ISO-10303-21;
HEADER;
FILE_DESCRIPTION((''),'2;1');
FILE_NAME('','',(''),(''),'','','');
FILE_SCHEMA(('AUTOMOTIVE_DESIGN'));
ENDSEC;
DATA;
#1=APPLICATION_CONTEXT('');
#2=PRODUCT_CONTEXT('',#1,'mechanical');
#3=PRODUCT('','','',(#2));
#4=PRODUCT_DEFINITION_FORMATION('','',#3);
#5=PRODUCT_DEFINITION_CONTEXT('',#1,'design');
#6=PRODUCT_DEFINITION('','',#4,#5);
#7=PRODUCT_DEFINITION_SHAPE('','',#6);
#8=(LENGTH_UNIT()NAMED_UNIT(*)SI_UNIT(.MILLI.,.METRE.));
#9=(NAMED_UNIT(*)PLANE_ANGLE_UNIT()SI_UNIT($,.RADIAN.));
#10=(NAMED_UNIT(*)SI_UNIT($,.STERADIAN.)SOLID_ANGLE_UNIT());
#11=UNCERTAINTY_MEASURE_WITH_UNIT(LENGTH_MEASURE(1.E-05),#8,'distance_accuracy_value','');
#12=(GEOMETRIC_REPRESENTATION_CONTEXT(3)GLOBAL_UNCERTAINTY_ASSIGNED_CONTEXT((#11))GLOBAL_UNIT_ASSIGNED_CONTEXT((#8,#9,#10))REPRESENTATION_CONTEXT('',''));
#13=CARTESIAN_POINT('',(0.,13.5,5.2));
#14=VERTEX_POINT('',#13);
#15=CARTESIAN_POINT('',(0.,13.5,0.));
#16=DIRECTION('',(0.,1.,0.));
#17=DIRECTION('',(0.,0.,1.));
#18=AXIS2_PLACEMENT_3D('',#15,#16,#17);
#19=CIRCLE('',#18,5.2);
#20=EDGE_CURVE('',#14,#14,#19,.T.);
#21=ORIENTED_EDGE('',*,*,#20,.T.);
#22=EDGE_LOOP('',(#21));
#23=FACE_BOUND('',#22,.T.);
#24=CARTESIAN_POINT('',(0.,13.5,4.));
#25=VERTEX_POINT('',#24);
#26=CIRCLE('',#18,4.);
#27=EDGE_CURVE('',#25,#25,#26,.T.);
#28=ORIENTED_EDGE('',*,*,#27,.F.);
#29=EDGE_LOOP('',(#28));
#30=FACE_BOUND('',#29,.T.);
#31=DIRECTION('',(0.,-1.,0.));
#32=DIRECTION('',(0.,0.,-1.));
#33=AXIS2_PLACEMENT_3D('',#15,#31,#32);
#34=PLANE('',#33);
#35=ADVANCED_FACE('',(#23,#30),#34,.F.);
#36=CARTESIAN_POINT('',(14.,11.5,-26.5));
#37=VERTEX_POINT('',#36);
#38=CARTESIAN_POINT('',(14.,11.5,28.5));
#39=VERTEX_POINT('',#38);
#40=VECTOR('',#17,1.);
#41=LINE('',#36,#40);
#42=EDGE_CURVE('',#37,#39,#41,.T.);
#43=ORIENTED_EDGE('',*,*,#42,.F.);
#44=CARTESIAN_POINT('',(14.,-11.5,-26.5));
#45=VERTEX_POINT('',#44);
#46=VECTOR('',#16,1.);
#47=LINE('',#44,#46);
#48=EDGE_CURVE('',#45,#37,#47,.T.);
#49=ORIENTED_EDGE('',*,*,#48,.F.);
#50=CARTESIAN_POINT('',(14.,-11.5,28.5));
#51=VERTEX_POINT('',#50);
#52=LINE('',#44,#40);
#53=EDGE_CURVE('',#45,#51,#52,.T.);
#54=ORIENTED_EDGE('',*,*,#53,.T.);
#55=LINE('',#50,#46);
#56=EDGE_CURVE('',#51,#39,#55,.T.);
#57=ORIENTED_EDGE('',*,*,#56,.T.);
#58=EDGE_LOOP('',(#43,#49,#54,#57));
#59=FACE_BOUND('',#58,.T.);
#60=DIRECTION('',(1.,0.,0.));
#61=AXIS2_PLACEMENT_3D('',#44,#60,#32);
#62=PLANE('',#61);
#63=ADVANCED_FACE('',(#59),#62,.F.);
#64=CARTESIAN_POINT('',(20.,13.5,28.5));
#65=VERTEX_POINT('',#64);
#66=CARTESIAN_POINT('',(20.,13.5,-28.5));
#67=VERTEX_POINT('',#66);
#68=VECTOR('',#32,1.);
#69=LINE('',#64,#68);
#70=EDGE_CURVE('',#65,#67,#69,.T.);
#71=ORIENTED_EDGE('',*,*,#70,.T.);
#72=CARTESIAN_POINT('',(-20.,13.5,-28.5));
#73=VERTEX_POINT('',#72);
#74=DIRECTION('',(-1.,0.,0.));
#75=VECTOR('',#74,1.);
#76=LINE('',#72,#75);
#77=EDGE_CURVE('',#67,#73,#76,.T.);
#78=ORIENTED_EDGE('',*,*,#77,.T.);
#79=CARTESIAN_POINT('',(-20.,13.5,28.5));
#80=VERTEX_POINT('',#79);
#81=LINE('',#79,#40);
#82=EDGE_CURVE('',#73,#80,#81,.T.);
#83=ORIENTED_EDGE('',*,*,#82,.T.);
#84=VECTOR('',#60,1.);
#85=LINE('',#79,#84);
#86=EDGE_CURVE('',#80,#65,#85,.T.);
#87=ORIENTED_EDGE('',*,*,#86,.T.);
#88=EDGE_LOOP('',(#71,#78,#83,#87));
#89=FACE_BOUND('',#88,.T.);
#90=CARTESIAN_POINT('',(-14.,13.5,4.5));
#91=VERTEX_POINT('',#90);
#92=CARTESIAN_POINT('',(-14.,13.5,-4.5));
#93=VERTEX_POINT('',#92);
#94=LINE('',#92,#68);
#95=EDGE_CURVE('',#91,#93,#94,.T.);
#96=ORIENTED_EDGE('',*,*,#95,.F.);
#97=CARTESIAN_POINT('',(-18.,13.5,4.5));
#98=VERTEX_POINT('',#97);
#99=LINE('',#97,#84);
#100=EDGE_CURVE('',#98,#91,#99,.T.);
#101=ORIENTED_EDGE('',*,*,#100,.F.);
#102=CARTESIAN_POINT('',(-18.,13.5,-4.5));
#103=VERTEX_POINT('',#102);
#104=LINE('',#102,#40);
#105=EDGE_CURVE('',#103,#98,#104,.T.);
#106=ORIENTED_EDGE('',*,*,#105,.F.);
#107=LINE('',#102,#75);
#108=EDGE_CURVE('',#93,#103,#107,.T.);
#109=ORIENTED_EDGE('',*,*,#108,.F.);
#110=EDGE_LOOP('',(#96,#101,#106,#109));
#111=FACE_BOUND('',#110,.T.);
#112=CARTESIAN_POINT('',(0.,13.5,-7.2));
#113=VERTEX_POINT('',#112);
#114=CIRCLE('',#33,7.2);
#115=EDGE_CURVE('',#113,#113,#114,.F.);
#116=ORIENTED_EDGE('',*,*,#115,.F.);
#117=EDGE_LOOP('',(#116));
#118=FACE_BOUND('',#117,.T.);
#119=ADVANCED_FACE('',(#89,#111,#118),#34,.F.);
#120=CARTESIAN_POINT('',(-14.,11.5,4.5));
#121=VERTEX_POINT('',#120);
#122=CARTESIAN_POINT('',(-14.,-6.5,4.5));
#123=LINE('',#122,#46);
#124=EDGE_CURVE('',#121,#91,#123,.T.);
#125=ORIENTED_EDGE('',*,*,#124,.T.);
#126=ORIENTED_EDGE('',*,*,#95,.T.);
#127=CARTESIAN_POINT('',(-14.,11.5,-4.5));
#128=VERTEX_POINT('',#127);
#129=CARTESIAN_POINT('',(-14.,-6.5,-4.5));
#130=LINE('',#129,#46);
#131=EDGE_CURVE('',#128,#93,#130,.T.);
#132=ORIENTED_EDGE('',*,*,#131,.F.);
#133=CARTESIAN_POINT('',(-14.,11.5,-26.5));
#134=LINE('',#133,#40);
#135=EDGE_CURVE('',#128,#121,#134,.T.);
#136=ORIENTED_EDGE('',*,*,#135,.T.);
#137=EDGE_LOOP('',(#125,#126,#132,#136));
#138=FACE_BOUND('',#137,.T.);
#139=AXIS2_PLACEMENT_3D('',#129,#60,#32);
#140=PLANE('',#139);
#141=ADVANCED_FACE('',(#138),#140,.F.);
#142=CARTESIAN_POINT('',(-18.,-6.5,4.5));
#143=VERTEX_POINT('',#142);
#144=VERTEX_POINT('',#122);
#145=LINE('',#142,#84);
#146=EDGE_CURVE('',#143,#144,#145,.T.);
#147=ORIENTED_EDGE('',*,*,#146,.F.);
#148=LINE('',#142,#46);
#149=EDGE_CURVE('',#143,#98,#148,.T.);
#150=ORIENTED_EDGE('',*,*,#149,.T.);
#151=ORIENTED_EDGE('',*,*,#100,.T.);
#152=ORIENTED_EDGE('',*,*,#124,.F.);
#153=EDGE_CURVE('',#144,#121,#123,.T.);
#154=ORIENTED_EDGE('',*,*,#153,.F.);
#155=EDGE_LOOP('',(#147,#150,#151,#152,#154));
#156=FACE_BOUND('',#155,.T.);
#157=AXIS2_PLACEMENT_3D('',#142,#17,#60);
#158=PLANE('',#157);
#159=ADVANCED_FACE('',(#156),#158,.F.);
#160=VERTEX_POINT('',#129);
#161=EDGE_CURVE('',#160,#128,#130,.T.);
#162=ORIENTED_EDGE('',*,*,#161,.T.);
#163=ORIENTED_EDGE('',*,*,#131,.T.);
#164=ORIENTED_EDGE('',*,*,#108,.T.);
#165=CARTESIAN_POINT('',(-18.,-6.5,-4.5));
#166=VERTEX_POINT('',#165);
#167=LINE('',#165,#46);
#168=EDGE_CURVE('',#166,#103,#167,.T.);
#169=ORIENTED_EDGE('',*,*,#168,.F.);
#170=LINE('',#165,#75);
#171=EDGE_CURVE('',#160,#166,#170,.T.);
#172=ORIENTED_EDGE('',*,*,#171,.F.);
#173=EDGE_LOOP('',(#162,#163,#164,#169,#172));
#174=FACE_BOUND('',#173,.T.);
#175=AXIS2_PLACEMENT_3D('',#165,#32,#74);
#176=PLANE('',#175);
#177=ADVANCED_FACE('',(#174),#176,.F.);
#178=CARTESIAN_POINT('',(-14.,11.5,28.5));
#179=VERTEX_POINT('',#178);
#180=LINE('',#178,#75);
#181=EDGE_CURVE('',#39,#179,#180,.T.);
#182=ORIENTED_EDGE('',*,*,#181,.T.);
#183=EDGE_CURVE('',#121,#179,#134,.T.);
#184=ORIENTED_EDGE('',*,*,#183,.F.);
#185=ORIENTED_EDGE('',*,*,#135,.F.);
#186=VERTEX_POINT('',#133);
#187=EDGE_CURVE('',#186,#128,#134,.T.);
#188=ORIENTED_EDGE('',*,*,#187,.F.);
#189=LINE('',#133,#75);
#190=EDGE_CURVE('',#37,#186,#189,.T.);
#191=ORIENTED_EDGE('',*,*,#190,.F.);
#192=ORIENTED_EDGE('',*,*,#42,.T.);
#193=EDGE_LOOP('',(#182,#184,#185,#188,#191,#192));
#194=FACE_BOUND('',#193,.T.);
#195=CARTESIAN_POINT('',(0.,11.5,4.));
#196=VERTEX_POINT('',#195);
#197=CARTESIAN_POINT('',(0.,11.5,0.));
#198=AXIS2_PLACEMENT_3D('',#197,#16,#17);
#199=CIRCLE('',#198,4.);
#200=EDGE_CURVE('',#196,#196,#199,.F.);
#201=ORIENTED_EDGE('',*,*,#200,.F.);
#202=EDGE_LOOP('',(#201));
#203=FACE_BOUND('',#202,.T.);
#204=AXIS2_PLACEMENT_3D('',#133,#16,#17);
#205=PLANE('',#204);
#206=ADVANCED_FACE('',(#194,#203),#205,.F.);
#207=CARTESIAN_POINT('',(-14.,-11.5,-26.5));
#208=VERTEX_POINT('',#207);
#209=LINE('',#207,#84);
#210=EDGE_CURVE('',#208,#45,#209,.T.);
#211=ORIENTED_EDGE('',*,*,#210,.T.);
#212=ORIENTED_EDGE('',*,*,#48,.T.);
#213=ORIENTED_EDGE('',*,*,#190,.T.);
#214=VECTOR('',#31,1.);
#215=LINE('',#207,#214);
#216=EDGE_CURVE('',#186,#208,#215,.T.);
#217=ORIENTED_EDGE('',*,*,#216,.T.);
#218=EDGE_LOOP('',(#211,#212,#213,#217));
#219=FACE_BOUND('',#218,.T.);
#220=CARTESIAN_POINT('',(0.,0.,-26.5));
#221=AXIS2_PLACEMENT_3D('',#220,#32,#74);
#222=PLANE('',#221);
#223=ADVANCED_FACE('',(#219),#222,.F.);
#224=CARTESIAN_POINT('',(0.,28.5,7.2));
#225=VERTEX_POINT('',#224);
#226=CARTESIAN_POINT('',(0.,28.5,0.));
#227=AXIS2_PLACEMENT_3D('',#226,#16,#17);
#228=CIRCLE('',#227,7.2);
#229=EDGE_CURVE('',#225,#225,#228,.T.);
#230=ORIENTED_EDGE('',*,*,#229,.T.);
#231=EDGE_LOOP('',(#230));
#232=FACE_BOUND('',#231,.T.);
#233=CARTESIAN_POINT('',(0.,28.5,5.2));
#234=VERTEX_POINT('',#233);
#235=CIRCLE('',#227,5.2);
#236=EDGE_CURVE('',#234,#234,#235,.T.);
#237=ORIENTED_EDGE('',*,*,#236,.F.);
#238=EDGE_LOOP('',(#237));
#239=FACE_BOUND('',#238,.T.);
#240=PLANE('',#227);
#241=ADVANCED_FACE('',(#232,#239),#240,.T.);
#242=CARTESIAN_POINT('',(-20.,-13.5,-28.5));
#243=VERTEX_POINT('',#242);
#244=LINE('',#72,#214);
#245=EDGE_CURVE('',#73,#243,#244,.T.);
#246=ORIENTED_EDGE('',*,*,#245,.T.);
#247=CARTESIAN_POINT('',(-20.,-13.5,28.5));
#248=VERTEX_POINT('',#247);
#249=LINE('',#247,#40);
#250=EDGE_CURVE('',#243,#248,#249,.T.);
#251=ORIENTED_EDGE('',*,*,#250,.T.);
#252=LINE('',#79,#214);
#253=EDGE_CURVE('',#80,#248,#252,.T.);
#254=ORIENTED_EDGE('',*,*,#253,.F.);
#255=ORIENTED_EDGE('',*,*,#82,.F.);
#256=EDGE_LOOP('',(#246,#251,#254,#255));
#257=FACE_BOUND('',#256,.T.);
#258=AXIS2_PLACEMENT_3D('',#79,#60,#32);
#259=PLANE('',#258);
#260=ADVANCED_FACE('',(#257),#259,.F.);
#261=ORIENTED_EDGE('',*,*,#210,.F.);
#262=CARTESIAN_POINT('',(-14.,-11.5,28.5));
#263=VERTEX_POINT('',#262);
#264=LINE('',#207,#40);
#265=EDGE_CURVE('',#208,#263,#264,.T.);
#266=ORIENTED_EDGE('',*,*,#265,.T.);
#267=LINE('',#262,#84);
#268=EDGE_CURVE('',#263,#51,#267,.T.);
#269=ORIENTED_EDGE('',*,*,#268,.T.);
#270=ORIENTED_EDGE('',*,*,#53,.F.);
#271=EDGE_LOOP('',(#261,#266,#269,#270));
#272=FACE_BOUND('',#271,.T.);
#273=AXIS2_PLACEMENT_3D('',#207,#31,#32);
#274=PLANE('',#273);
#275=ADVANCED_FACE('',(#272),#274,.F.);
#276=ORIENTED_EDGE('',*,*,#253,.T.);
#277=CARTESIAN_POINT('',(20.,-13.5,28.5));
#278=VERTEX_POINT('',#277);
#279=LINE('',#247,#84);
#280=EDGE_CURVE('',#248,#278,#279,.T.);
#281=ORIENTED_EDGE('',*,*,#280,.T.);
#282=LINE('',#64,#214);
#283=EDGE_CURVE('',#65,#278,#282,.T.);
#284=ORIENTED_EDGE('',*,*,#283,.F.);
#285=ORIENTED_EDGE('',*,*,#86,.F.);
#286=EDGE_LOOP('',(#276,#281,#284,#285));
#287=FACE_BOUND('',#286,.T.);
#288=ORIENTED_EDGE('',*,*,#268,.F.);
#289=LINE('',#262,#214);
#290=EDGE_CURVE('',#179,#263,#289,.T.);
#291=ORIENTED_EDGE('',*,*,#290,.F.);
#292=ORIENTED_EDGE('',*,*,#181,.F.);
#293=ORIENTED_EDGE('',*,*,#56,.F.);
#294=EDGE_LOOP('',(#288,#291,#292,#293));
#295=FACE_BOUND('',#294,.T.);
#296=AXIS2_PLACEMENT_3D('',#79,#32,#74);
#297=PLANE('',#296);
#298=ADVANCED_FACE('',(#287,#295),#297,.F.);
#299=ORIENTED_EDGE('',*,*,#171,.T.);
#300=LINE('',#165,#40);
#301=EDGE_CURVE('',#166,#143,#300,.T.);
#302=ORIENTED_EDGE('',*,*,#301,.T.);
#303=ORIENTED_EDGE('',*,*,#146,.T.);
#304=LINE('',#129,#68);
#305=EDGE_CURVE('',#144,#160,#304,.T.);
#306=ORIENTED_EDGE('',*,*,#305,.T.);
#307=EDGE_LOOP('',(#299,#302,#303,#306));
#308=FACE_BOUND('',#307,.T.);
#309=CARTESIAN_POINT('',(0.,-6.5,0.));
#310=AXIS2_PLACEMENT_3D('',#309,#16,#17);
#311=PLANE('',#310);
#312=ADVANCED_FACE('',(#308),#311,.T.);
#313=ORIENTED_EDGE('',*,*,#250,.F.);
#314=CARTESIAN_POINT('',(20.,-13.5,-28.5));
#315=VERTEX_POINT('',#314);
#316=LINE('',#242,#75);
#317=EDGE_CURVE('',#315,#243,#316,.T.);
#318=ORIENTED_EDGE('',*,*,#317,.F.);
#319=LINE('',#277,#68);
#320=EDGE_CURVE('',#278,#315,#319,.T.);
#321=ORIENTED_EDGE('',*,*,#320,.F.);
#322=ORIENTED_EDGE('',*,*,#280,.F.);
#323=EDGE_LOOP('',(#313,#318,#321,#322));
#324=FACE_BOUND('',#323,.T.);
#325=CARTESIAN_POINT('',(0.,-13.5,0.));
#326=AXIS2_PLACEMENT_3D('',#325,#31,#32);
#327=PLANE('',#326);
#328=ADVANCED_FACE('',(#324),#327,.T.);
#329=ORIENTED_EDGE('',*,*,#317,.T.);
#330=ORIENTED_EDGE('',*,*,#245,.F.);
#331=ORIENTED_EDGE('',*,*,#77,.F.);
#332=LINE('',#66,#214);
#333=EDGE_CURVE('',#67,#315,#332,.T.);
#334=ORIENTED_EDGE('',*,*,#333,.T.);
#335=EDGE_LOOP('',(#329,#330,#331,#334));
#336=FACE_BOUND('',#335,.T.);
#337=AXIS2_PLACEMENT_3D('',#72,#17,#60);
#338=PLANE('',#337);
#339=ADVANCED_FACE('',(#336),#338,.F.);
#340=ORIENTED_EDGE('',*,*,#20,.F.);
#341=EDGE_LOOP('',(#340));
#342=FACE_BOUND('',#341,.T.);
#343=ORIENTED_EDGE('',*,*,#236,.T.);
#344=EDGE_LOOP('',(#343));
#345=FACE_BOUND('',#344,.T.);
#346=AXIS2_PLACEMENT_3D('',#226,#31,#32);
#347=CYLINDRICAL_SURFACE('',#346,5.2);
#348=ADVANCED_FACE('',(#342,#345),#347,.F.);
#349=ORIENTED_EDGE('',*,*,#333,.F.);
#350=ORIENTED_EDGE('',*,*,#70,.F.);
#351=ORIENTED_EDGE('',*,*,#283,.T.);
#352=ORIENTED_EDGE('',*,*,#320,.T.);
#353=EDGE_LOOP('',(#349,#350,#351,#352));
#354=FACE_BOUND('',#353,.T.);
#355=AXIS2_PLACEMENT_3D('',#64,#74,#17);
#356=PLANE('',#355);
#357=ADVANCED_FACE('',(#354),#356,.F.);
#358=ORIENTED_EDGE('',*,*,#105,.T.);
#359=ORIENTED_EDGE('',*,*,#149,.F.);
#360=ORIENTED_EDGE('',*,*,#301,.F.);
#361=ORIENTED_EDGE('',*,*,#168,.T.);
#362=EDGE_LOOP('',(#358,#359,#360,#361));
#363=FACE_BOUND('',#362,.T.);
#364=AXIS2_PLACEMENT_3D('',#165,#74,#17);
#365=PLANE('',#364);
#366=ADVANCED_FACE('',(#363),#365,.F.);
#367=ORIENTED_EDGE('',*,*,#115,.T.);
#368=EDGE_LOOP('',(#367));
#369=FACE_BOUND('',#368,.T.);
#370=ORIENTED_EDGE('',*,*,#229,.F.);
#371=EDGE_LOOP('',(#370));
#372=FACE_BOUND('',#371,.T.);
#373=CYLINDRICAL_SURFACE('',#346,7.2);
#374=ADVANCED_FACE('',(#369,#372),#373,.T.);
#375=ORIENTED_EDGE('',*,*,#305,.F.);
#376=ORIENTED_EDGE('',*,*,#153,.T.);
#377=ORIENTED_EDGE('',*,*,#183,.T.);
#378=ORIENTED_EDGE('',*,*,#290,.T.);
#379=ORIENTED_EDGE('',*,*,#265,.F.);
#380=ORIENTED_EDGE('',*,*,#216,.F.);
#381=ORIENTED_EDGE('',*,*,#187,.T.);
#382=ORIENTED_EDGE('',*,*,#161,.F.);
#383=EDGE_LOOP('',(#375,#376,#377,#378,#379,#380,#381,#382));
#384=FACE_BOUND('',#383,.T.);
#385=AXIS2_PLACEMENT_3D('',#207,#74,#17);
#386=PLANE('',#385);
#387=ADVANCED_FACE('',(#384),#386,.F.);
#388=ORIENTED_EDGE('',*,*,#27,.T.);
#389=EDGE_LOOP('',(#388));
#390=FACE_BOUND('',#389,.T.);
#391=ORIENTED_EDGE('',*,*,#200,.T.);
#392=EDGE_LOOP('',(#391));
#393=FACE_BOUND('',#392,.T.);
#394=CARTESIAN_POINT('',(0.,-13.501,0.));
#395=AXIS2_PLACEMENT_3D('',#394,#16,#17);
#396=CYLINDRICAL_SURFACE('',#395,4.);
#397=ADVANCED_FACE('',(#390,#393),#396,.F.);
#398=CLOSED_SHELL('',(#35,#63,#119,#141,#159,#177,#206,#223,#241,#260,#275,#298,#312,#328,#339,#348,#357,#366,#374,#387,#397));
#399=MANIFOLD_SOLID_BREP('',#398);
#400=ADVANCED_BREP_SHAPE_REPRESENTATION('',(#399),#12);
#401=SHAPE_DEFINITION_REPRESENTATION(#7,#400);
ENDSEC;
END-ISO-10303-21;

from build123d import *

# Parameters (mm, degrees)
ESQUISSE1_W             = 40
ESQUISSE1_H             = 57
BOSS_EXTRU_1_DEPTH      = 13.5
ESQUISSE5_W             = 28
ESQUISSE5_H             = 23
ENL_V_MAT_EXTRU_1_DEPTH = 55
ENL_V_MAT_EXTRU_2_REACH = 46.06
ESQUISSE6_R             = 4
ESQUISSE6_3_R           = 7.2
ESQUISSE6_3_R_2         = 5.2
BOSS_EXTRU_2_DEPTH      = 15
ESQUISSE7_W             = 4
ESQUISSE7_H             = 9
ENL_V_MAT_EXTRU_3_DEPTH = 20


with BuildPart() as part:
    # Esquisse1 → Boss.-Extru.1 (new, symmetric)
    with BuildSketch(Plane(origin=(0, 0, 0), x_dir=(1, 0, 0), z_dir=(0, 1, 0))):
        Rectangle(ESQUISSE1_W, ESQUISSE1_H)
    extrude(amount=BOSS_EXTRU_1_DEPTH, both=True)

    # Esquisse5 → Enlèv. mat.-Extru.1 (cut)
    with BuildSketch(Plane.XY.offset(28.5)):
        Rectangle(ESQUISSE5_W, ESQUISSE5_H)
    extrude(amount=-ENL_V_MAT_EXTRU_1_DEPTH, mode=Mode.SUBTRACT)

    # Esquisse6 → Enlèv. mat.-Extru.2 (cut, up to next)
    with BuildSketch(Plane(origin=(0, 13.5, 0), x_dir=(1, 0, 0), z_dir=(0, 1, 0)), mode=Mode.PRIVATE) as enl_v_mat_extru_2_sk1:
        Circle(ESQUISSE6_R)
    enl_v_mat_extru_2_tool1 = extrude(enl_v_mat_extru_2_sk1.sketch, amount=-ENL_V_MAT_EXTRU_2_REACH, mode=Mode.PRIVATE) & part.part
    add(enl_v_mat_extru_2_tool1.solids().sort_by_distance((0, 13.5, 0))[0], mode=Mode.SUBTRACT)

    # Esquisse6<3> → Boss.-Extru.2 (add)
    with BuildSketch(Plane(origin=(0, 13.5, 0), x_dir=(1, 0, 0), z_dir=(0, 1, 0))):
        Circle(ESQUISSE6_3_R)
        Circle(ESQUISSE6_3_R_2, mode=Mode.SUBTRACT)
    extrude(amount=BOSS_EXTRU_2_DEPTH)

    # Esquisse7 → Enlèv. mat.-Extru.3 (cut)
    with BuildSketch(Plane(origin=(0, 13.5, 0), x_dir=(1, 0, 0), z_dir=(0, 1, 0))):
        with Locations((-16, 0)):
            Rectangle(ESQUISSE7_W, ESQUISSE7_H)
    extrude(amount=-ENL_V_MAT_EXTRU_3_DEPTH, mode=Mode.SUBTRACT)


solid = part.part
